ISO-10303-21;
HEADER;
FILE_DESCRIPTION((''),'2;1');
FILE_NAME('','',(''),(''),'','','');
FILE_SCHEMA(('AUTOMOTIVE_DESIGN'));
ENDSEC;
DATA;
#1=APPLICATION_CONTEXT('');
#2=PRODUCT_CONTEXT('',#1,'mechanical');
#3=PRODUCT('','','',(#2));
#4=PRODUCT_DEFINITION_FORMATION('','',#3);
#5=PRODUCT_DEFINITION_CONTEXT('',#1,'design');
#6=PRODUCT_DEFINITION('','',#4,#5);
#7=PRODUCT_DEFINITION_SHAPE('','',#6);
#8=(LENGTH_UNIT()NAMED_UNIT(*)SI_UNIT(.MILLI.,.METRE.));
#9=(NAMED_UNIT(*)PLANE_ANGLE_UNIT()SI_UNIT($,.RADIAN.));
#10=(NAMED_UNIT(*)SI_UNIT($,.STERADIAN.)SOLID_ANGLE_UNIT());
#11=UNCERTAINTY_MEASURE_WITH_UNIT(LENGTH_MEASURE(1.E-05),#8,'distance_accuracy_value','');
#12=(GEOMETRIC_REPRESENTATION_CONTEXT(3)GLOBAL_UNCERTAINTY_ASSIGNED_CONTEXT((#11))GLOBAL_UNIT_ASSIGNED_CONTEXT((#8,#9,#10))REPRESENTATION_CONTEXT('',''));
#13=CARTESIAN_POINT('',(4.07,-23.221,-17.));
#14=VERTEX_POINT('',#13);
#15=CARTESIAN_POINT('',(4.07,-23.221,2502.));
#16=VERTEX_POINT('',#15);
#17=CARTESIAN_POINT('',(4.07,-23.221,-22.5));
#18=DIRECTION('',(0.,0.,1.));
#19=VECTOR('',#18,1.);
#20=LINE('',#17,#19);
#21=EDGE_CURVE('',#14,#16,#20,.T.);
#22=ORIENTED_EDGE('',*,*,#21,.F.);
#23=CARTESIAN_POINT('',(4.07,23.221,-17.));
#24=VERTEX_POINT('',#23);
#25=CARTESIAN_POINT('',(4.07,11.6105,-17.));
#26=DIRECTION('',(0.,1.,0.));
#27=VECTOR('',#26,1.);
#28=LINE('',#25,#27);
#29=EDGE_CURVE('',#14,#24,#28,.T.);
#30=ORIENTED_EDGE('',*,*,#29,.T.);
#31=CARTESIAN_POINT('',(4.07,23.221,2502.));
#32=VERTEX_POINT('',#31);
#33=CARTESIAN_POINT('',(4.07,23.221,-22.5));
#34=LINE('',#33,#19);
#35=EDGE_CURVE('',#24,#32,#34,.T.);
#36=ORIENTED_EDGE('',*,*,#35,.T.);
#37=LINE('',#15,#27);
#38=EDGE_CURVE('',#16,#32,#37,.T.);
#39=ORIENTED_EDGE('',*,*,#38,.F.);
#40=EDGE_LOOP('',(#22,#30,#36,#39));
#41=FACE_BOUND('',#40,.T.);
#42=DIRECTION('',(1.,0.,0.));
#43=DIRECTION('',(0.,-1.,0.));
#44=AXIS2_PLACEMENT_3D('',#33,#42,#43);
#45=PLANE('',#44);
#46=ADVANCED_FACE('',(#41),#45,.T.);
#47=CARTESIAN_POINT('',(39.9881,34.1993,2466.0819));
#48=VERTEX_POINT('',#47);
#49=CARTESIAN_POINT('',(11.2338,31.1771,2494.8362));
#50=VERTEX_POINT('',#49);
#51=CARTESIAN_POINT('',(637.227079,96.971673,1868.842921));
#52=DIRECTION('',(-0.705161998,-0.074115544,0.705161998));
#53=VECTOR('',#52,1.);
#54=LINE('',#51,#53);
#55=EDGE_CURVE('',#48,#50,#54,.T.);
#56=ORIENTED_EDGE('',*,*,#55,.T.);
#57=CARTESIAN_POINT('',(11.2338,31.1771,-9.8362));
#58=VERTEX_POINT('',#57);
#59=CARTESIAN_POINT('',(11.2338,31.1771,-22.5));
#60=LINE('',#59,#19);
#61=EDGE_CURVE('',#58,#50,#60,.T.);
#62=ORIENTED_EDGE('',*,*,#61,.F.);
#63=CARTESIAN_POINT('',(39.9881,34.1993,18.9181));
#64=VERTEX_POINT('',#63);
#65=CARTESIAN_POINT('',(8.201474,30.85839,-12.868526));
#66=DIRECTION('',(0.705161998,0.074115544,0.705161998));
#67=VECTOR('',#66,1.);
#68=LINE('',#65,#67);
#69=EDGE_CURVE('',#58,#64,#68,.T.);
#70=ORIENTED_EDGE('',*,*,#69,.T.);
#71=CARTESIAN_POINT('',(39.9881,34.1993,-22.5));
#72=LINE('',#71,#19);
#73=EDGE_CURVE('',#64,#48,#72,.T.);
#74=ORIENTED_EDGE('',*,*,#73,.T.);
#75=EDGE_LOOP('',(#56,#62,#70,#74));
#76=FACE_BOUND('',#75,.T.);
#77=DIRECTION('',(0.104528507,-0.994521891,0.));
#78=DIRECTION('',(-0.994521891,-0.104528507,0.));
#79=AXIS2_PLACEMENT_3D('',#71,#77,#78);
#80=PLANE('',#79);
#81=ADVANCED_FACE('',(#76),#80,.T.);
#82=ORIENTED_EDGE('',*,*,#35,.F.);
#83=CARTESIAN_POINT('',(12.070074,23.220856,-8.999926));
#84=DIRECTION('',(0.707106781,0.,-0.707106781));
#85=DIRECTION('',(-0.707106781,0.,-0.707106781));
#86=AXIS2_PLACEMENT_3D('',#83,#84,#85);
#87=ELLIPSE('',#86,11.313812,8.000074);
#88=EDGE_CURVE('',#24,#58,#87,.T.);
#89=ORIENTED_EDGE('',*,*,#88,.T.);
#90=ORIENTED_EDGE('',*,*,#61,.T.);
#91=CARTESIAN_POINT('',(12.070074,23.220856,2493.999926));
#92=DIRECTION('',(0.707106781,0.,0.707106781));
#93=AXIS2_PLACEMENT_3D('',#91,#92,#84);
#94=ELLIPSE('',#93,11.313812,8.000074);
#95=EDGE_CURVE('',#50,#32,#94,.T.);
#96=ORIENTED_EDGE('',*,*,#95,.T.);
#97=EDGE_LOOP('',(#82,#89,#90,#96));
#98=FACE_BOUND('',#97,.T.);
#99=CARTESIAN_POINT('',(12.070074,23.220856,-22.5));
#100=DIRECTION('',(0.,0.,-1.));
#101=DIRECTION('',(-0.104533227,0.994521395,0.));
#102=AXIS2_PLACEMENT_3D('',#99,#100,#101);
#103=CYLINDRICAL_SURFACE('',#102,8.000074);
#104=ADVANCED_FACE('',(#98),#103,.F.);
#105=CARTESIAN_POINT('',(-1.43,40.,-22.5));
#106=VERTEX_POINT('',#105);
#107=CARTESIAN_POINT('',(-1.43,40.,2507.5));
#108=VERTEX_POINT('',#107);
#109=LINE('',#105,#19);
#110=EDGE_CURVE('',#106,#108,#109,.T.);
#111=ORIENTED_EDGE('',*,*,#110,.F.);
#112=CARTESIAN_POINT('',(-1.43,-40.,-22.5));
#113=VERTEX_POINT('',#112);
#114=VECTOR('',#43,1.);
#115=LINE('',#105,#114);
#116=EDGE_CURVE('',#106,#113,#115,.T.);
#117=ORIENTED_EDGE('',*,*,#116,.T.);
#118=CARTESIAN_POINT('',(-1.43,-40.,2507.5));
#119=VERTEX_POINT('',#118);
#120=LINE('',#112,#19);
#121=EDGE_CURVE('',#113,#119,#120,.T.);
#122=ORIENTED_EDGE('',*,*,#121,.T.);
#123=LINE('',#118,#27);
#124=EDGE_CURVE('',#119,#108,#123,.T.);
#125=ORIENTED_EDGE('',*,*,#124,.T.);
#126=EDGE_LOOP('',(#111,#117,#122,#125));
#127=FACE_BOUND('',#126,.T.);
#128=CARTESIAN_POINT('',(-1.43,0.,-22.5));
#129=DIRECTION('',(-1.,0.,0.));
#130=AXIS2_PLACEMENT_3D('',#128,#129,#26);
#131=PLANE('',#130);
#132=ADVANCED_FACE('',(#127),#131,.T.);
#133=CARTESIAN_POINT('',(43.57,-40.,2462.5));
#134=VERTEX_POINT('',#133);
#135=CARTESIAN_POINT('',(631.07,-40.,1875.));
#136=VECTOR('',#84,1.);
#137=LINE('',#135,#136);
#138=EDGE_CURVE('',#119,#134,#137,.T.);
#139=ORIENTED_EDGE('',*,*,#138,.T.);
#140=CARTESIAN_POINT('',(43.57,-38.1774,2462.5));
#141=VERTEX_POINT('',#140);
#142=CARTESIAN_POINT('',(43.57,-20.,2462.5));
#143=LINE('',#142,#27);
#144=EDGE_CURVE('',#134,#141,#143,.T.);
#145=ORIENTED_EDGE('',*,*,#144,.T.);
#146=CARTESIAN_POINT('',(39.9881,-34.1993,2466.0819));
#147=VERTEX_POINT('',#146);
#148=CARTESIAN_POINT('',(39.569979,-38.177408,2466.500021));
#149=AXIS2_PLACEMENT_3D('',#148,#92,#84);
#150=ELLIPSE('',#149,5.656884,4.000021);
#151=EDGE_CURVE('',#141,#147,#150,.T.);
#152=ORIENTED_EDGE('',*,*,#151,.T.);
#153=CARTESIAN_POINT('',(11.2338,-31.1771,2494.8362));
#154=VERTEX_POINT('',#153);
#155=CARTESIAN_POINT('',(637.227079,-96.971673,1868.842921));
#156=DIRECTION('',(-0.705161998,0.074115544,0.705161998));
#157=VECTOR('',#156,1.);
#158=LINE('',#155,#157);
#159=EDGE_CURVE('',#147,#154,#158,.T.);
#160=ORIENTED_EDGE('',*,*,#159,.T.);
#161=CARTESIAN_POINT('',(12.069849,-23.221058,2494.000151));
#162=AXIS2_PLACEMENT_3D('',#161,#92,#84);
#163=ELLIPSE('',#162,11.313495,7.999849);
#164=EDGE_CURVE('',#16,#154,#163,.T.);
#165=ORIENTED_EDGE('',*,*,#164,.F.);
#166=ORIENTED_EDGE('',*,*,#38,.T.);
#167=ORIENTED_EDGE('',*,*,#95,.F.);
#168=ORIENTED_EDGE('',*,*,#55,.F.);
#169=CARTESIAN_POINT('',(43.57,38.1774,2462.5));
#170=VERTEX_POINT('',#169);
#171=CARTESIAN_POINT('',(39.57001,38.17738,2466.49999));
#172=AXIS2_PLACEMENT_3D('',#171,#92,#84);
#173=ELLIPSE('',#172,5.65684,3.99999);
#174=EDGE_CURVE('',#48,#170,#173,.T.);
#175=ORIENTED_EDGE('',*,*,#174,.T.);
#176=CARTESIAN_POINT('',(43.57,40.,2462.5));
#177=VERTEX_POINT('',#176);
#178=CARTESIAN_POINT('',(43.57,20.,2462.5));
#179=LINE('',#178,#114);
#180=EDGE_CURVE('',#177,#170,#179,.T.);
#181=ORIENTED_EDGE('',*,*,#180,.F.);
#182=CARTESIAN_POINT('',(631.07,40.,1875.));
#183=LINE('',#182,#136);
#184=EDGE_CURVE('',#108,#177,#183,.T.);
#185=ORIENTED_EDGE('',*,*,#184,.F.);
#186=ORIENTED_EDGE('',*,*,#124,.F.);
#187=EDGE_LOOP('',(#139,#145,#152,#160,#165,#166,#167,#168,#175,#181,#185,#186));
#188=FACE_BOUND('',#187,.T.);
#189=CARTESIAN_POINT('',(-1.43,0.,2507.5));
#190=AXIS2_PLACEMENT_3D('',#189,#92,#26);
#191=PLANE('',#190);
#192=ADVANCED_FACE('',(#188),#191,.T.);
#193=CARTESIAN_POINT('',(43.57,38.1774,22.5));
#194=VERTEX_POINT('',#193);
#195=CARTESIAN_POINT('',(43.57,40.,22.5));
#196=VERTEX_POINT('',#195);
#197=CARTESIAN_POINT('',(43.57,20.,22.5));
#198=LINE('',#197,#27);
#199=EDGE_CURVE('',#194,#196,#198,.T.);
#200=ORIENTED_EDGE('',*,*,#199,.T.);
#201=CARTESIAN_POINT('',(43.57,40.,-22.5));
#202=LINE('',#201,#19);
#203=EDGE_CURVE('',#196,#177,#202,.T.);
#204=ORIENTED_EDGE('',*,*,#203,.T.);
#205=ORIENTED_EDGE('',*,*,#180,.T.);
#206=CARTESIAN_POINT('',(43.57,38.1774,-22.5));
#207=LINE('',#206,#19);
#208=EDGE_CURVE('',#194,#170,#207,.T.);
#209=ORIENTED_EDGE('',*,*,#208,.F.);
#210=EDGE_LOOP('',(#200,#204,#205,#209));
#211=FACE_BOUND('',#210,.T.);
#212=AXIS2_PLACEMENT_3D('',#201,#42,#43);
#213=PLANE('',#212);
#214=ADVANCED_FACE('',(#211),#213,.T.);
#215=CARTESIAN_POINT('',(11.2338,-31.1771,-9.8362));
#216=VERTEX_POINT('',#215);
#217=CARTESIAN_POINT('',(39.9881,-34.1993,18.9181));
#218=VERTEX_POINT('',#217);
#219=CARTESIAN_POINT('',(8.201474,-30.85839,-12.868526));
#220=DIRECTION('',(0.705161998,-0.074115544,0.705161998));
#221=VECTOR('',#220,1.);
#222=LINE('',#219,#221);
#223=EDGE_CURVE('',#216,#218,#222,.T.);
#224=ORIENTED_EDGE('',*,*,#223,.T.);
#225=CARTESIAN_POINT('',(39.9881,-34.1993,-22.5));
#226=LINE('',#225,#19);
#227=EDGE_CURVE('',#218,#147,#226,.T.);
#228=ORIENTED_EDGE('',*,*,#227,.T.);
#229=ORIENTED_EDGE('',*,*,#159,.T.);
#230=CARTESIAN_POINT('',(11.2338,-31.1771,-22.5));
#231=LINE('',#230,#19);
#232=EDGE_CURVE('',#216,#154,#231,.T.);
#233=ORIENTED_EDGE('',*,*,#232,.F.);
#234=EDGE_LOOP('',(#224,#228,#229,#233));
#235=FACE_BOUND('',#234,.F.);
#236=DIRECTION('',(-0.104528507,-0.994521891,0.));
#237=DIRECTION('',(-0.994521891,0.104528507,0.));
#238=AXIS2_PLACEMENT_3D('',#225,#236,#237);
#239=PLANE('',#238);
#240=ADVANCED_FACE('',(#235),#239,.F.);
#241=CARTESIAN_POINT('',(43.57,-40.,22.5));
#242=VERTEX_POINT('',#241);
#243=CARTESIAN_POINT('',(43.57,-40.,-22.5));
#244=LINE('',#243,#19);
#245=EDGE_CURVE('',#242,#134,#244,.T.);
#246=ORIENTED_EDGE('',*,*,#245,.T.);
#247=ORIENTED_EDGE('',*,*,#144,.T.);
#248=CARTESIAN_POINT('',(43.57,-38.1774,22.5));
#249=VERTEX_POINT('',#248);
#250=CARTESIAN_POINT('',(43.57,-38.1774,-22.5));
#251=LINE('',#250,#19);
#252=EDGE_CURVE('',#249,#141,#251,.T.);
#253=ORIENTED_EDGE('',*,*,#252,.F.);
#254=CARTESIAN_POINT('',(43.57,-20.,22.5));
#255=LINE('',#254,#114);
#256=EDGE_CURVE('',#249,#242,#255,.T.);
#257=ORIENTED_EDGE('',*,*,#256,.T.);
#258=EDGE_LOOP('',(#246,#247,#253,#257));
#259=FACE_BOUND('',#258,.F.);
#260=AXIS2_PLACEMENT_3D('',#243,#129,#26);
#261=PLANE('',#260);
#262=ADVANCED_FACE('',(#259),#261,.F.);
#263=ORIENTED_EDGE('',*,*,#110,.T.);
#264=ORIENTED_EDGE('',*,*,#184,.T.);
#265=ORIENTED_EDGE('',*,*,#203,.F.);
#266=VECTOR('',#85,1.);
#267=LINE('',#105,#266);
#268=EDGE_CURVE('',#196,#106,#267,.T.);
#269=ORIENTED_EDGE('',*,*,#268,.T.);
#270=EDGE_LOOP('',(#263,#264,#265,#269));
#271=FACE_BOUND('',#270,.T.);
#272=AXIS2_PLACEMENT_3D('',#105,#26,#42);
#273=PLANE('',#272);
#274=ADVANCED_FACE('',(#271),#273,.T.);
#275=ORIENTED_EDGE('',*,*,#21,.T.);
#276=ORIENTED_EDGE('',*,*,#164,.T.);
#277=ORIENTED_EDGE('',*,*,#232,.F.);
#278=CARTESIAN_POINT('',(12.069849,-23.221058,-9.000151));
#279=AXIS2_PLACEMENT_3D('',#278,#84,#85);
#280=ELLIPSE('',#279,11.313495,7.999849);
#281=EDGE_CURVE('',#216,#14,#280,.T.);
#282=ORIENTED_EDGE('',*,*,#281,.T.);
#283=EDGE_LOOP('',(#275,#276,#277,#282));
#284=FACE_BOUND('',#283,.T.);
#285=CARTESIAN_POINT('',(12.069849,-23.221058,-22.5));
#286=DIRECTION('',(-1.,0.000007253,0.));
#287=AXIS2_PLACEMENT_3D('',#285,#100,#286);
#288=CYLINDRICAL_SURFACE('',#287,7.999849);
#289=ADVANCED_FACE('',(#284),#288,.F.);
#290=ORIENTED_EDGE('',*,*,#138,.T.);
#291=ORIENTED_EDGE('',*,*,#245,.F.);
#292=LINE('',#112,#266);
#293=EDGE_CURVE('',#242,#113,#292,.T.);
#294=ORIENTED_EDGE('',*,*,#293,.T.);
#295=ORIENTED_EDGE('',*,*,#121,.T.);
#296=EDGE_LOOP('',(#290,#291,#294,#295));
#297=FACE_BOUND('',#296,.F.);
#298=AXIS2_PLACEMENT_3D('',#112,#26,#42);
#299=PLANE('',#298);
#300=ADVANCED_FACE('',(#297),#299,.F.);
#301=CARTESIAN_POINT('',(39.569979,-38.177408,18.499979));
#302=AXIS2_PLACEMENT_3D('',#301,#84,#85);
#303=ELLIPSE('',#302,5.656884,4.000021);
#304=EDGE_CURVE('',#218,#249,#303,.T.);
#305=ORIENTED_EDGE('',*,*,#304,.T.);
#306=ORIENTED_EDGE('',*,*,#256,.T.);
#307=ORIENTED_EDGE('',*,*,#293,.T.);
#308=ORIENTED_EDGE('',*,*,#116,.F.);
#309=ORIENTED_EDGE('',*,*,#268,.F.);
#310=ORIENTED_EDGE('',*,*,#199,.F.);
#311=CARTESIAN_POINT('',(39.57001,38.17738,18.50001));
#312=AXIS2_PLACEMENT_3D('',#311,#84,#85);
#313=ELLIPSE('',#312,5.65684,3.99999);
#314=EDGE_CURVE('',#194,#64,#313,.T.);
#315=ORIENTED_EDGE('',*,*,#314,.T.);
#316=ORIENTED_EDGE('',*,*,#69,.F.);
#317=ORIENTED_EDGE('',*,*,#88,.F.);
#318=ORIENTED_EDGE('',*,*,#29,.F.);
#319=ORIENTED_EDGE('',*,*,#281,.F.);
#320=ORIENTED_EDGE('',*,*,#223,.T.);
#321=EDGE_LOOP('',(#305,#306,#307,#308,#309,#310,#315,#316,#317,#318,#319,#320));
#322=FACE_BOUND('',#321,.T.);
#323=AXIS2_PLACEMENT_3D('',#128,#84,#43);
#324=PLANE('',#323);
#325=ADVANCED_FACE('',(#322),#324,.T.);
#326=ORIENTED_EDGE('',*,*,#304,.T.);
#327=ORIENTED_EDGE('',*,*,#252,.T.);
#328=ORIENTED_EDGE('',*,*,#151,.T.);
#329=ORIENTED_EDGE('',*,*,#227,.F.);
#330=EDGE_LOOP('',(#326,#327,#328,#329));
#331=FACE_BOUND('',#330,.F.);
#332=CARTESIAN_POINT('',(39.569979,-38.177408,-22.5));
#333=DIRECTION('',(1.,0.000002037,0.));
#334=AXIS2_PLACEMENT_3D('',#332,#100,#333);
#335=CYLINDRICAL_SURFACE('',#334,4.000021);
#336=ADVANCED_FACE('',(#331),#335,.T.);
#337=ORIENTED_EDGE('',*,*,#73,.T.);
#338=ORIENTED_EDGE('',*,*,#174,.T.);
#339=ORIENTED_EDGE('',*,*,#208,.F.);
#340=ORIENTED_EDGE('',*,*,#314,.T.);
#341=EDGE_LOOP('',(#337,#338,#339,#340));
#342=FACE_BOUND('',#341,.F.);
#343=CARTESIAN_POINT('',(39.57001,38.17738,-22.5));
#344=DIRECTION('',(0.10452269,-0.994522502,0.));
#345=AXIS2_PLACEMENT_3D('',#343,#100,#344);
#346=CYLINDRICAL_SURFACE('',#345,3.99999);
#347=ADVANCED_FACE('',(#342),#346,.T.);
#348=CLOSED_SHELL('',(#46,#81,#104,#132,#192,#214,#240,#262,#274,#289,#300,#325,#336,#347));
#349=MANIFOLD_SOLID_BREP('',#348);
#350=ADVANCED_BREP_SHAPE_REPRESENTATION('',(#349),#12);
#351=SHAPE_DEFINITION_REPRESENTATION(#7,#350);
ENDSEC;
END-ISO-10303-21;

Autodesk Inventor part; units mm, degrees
ref_plane "Начальная плоскость" through (0, 0, -22.5) normal (0, 0, 1) x (1, 0, 0)
ref_plane "Конечная плоскость" through (0, 0, 2507.5) normal (0, 0, 1) x (1, 0, 0)
sketch "Эскиз" plane through (0, 0, 0) normal (0, 0, 1) x (1, 0, 0)
  line L0 (-1.43, 0) -> (-1.43, 40)
  line L1 (-1.43, 40) -> (43.57, 40)
  line L2 (43.57, 40) -> (43.57, 38.1774)
  line L3 (39.9881, 34.1993) -> (11.2338, 31.1771)
  line L4 (4.07, 23.221) -> (4.07, 0)
  line L5 (4.07, 0) -> (-1.43, 0) construction
  line L6 (23.82, 40) -> (23.82, 32.5) construction
  line L7 (43.57, 34.5758) -> (43.57, 32.5) construction
  line L8 (43.57, 32.5) -> (23.82, 32.5) construction
  line L9 (0, 15) -> (0, -27) construction
  line L10 (-5.539, 0) -> (16.0067, 0) construction
  line L11 (-1.43, 0) -> (-1.43, -40)
  line L12 (-1.43, -40) -> (43.57, -40)
  line L13 (43.57, -40) -> (43.57, -38.1774)
  line L14 (39.9881, -34.1993) -> (11.2338, -31.1771)
  line L15 (4.07, -23.221) -> (4.07, 0)
  arc A0 (11.2338, 31.1771) -> (4.07, 23.221) centre (12.07, 23.221) ccw
  arc A1 (4.07, -23.221) -> (11.2338, -31.1771) centre (12.07, -23.221) ccw
  arc A2 (39.9881, 34.1993) -> (43.57, 38.1774) centre (39.57, 38.1774) ccw
  arc A3 (43.57, -38.1774) -> (39.9881, -34.1993) centre (39.57, -38.1774) ccw
  line L16 (0, 56) -> (0, -56) construction
  line L17 (-15.5135, 0) -> (54.308, 0) construction
  point P0 (4.07, 30.4242)
  point P1 (43.57, -34.5758)
  point P2 (4.07, -30.4242)
  point P3 (23.82, -40)
  point P4 (23.82, -32.5)
  dimension "d0" = 5.5
  dimension "d1" = 40
  dimension "d2" = 45
  dimension "d3" = 7.5
  dimension "d4" = 19.75
  dimension "d5" = 2.0758
  dimension "d23" = 8
  dimension "d24" = 4
  dimension "d25" = 1.43
extrude "Тело" add sketch "Эскиз" along normal up to surface (2530 mm away) from surface at -22.5
sketch "Sketch3" plane through (0, 0, 0) normal (0, 0, 1) x (1, 0, 0)
  line L0 (0, 0) -> (10, 0)
ref_plane "Work Plane3" through (0, 0, 0) normal (0, -1, 0) x (1, 0, 0)
sketch "Sketch4" plane through (0, 0, 0) normal (0, -1, 0) x (1, 0, 0)
  line L0 (-2, -22.5) -> (12, -22.5)
  line L1 (-2, 2507.5) -> (12, 2507.5)
  dimension "d29" = 2530
ref_plane "РабПлоскость4" through (-1.43, 0, 2507.5) normal (0.7071, 0, 0.7071) x (0.7071, 0, -0.7071)
split "Разделение1" plane through (-1.43, 0, 2507.5) removes the side toward (0.7071, 0, 0.7071)
ref_plane "РабПлоскость5" through (-1.43, 0, -22.5) normal (0.7071, 0, -0.7071) x (-0.7071, 0, -0.7071)
split "Разделение2" plane through (-1.43, 0, -22.5) removes the side toward (0.7071, 0, -0.7071)
equation "\"d0\" = G_T"
equation "\"d1\" = 0.5 * G_H"
equation "\"d2\" = G_W"
equation "\"d3\" = G_T1"
equation "\"d4\" = G_C"
equation "\"d23\" = G_IR"
equation "\"d24\" = G_ER"
equation "\"d25\" = ex"
equation "\"d6\" = G_L"
equation "\"G_W\" = 45"
equation "\"G_T\" = 5.5"
equation "\"G_T1\" = 7.5"
equation "\"G_NG\" = 0.105104"
equation "\"G_ER\" = 4"
equation "\"G_IR\" = 8"
equation "\"G_C\" = 19.75"
equation "\"G_L\" = d29"
equation "\"ex\" = 1.43"
equation "\"G_OFFSET_START\" = 22.5"
equation "\"G_OFFSET_END\" = 22.5"
equation "\"d26\" = -G_OFFSET_START"
equation "\"d27\" = G_OFFSET_END + B_L"
equation "\"B_L\" = 2485"
equation "\"G_H\" = 80"
properties part number "ISO 657/11 - CH 80 x 8 - 2530" material "Сталь нержавеющая, 440C"
